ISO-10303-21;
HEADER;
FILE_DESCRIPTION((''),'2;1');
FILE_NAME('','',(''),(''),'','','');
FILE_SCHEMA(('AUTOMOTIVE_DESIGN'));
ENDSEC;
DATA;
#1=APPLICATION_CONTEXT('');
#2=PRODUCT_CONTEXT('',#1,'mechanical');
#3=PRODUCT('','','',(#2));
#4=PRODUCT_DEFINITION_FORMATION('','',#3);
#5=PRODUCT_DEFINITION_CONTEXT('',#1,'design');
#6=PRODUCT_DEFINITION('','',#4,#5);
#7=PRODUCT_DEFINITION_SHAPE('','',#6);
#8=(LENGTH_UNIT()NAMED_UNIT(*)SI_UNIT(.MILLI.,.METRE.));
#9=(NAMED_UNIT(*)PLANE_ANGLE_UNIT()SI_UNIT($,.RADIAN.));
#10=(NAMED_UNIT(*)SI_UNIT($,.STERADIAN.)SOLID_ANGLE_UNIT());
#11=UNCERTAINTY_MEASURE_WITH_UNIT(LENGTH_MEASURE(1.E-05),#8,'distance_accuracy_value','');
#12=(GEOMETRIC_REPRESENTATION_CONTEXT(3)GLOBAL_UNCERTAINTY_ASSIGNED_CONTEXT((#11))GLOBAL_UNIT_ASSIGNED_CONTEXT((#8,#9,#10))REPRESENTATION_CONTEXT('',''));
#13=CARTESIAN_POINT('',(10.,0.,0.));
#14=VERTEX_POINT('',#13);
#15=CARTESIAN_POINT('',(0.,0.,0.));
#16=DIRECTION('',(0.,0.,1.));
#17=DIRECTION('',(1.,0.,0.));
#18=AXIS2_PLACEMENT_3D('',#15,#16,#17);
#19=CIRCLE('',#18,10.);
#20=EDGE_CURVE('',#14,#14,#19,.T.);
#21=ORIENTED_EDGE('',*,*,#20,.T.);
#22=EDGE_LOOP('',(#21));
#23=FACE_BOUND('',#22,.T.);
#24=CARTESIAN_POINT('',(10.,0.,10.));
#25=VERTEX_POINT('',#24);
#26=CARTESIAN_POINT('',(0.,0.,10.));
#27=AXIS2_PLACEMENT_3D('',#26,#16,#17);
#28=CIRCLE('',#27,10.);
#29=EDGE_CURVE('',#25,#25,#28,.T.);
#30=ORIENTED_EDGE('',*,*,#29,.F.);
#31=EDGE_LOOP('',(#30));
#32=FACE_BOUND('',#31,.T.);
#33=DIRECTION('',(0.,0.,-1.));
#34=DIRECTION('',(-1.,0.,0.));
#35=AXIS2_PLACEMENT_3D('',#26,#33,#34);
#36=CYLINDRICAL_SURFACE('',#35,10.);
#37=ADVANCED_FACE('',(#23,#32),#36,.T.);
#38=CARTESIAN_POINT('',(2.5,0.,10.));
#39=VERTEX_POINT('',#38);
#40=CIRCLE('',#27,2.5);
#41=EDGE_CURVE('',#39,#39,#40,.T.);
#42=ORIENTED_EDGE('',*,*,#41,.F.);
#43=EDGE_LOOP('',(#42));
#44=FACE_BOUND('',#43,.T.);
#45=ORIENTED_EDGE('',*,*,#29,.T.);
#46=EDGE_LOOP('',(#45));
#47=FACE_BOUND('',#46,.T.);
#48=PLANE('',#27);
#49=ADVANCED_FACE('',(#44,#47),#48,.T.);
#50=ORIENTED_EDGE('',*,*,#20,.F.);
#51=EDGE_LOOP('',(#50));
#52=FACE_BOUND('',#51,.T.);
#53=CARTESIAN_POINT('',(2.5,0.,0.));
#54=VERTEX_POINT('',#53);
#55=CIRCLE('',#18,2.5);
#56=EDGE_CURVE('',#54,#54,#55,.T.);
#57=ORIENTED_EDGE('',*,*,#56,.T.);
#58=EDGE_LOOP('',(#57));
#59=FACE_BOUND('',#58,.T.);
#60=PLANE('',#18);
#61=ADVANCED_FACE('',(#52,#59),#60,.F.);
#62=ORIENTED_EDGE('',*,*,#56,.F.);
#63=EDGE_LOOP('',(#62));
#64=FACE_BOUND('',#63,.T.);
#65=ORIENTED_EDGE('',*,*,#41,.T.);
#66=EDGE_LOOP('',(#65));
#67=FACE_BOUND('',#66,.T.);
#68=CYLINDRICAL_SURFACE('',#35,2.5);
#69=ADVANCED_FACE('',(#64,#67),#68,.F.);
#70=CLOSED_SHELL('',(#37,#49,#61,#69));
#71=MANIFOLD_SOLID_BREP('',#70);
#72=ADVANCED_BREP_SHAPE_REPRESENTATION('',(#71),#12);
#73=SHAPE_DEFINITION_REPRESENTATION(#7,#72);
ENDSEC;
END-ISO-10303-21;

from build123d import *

# Parameters (mm, degrees)
SCHIZZO1_R                   = 10
SCHIZZO1_R_2                 = 2.5
ESTRUSIONE_ESTRUSIONE1_DEPTH = 10


with BuildPart() as part:
    # Schizzo1 → Estrusione-Estrusione1 (new body)
    with BuildSketch(Plane.XY):
        Circle(SCHIZZO1_R)
        Circle(SCHIZZO1_R_2, mode=Mode.SUBTRACT)
    extrude(amount=ESTRUSIONE_ESTRUSIONE1_DEPTH)


solid = part.part
